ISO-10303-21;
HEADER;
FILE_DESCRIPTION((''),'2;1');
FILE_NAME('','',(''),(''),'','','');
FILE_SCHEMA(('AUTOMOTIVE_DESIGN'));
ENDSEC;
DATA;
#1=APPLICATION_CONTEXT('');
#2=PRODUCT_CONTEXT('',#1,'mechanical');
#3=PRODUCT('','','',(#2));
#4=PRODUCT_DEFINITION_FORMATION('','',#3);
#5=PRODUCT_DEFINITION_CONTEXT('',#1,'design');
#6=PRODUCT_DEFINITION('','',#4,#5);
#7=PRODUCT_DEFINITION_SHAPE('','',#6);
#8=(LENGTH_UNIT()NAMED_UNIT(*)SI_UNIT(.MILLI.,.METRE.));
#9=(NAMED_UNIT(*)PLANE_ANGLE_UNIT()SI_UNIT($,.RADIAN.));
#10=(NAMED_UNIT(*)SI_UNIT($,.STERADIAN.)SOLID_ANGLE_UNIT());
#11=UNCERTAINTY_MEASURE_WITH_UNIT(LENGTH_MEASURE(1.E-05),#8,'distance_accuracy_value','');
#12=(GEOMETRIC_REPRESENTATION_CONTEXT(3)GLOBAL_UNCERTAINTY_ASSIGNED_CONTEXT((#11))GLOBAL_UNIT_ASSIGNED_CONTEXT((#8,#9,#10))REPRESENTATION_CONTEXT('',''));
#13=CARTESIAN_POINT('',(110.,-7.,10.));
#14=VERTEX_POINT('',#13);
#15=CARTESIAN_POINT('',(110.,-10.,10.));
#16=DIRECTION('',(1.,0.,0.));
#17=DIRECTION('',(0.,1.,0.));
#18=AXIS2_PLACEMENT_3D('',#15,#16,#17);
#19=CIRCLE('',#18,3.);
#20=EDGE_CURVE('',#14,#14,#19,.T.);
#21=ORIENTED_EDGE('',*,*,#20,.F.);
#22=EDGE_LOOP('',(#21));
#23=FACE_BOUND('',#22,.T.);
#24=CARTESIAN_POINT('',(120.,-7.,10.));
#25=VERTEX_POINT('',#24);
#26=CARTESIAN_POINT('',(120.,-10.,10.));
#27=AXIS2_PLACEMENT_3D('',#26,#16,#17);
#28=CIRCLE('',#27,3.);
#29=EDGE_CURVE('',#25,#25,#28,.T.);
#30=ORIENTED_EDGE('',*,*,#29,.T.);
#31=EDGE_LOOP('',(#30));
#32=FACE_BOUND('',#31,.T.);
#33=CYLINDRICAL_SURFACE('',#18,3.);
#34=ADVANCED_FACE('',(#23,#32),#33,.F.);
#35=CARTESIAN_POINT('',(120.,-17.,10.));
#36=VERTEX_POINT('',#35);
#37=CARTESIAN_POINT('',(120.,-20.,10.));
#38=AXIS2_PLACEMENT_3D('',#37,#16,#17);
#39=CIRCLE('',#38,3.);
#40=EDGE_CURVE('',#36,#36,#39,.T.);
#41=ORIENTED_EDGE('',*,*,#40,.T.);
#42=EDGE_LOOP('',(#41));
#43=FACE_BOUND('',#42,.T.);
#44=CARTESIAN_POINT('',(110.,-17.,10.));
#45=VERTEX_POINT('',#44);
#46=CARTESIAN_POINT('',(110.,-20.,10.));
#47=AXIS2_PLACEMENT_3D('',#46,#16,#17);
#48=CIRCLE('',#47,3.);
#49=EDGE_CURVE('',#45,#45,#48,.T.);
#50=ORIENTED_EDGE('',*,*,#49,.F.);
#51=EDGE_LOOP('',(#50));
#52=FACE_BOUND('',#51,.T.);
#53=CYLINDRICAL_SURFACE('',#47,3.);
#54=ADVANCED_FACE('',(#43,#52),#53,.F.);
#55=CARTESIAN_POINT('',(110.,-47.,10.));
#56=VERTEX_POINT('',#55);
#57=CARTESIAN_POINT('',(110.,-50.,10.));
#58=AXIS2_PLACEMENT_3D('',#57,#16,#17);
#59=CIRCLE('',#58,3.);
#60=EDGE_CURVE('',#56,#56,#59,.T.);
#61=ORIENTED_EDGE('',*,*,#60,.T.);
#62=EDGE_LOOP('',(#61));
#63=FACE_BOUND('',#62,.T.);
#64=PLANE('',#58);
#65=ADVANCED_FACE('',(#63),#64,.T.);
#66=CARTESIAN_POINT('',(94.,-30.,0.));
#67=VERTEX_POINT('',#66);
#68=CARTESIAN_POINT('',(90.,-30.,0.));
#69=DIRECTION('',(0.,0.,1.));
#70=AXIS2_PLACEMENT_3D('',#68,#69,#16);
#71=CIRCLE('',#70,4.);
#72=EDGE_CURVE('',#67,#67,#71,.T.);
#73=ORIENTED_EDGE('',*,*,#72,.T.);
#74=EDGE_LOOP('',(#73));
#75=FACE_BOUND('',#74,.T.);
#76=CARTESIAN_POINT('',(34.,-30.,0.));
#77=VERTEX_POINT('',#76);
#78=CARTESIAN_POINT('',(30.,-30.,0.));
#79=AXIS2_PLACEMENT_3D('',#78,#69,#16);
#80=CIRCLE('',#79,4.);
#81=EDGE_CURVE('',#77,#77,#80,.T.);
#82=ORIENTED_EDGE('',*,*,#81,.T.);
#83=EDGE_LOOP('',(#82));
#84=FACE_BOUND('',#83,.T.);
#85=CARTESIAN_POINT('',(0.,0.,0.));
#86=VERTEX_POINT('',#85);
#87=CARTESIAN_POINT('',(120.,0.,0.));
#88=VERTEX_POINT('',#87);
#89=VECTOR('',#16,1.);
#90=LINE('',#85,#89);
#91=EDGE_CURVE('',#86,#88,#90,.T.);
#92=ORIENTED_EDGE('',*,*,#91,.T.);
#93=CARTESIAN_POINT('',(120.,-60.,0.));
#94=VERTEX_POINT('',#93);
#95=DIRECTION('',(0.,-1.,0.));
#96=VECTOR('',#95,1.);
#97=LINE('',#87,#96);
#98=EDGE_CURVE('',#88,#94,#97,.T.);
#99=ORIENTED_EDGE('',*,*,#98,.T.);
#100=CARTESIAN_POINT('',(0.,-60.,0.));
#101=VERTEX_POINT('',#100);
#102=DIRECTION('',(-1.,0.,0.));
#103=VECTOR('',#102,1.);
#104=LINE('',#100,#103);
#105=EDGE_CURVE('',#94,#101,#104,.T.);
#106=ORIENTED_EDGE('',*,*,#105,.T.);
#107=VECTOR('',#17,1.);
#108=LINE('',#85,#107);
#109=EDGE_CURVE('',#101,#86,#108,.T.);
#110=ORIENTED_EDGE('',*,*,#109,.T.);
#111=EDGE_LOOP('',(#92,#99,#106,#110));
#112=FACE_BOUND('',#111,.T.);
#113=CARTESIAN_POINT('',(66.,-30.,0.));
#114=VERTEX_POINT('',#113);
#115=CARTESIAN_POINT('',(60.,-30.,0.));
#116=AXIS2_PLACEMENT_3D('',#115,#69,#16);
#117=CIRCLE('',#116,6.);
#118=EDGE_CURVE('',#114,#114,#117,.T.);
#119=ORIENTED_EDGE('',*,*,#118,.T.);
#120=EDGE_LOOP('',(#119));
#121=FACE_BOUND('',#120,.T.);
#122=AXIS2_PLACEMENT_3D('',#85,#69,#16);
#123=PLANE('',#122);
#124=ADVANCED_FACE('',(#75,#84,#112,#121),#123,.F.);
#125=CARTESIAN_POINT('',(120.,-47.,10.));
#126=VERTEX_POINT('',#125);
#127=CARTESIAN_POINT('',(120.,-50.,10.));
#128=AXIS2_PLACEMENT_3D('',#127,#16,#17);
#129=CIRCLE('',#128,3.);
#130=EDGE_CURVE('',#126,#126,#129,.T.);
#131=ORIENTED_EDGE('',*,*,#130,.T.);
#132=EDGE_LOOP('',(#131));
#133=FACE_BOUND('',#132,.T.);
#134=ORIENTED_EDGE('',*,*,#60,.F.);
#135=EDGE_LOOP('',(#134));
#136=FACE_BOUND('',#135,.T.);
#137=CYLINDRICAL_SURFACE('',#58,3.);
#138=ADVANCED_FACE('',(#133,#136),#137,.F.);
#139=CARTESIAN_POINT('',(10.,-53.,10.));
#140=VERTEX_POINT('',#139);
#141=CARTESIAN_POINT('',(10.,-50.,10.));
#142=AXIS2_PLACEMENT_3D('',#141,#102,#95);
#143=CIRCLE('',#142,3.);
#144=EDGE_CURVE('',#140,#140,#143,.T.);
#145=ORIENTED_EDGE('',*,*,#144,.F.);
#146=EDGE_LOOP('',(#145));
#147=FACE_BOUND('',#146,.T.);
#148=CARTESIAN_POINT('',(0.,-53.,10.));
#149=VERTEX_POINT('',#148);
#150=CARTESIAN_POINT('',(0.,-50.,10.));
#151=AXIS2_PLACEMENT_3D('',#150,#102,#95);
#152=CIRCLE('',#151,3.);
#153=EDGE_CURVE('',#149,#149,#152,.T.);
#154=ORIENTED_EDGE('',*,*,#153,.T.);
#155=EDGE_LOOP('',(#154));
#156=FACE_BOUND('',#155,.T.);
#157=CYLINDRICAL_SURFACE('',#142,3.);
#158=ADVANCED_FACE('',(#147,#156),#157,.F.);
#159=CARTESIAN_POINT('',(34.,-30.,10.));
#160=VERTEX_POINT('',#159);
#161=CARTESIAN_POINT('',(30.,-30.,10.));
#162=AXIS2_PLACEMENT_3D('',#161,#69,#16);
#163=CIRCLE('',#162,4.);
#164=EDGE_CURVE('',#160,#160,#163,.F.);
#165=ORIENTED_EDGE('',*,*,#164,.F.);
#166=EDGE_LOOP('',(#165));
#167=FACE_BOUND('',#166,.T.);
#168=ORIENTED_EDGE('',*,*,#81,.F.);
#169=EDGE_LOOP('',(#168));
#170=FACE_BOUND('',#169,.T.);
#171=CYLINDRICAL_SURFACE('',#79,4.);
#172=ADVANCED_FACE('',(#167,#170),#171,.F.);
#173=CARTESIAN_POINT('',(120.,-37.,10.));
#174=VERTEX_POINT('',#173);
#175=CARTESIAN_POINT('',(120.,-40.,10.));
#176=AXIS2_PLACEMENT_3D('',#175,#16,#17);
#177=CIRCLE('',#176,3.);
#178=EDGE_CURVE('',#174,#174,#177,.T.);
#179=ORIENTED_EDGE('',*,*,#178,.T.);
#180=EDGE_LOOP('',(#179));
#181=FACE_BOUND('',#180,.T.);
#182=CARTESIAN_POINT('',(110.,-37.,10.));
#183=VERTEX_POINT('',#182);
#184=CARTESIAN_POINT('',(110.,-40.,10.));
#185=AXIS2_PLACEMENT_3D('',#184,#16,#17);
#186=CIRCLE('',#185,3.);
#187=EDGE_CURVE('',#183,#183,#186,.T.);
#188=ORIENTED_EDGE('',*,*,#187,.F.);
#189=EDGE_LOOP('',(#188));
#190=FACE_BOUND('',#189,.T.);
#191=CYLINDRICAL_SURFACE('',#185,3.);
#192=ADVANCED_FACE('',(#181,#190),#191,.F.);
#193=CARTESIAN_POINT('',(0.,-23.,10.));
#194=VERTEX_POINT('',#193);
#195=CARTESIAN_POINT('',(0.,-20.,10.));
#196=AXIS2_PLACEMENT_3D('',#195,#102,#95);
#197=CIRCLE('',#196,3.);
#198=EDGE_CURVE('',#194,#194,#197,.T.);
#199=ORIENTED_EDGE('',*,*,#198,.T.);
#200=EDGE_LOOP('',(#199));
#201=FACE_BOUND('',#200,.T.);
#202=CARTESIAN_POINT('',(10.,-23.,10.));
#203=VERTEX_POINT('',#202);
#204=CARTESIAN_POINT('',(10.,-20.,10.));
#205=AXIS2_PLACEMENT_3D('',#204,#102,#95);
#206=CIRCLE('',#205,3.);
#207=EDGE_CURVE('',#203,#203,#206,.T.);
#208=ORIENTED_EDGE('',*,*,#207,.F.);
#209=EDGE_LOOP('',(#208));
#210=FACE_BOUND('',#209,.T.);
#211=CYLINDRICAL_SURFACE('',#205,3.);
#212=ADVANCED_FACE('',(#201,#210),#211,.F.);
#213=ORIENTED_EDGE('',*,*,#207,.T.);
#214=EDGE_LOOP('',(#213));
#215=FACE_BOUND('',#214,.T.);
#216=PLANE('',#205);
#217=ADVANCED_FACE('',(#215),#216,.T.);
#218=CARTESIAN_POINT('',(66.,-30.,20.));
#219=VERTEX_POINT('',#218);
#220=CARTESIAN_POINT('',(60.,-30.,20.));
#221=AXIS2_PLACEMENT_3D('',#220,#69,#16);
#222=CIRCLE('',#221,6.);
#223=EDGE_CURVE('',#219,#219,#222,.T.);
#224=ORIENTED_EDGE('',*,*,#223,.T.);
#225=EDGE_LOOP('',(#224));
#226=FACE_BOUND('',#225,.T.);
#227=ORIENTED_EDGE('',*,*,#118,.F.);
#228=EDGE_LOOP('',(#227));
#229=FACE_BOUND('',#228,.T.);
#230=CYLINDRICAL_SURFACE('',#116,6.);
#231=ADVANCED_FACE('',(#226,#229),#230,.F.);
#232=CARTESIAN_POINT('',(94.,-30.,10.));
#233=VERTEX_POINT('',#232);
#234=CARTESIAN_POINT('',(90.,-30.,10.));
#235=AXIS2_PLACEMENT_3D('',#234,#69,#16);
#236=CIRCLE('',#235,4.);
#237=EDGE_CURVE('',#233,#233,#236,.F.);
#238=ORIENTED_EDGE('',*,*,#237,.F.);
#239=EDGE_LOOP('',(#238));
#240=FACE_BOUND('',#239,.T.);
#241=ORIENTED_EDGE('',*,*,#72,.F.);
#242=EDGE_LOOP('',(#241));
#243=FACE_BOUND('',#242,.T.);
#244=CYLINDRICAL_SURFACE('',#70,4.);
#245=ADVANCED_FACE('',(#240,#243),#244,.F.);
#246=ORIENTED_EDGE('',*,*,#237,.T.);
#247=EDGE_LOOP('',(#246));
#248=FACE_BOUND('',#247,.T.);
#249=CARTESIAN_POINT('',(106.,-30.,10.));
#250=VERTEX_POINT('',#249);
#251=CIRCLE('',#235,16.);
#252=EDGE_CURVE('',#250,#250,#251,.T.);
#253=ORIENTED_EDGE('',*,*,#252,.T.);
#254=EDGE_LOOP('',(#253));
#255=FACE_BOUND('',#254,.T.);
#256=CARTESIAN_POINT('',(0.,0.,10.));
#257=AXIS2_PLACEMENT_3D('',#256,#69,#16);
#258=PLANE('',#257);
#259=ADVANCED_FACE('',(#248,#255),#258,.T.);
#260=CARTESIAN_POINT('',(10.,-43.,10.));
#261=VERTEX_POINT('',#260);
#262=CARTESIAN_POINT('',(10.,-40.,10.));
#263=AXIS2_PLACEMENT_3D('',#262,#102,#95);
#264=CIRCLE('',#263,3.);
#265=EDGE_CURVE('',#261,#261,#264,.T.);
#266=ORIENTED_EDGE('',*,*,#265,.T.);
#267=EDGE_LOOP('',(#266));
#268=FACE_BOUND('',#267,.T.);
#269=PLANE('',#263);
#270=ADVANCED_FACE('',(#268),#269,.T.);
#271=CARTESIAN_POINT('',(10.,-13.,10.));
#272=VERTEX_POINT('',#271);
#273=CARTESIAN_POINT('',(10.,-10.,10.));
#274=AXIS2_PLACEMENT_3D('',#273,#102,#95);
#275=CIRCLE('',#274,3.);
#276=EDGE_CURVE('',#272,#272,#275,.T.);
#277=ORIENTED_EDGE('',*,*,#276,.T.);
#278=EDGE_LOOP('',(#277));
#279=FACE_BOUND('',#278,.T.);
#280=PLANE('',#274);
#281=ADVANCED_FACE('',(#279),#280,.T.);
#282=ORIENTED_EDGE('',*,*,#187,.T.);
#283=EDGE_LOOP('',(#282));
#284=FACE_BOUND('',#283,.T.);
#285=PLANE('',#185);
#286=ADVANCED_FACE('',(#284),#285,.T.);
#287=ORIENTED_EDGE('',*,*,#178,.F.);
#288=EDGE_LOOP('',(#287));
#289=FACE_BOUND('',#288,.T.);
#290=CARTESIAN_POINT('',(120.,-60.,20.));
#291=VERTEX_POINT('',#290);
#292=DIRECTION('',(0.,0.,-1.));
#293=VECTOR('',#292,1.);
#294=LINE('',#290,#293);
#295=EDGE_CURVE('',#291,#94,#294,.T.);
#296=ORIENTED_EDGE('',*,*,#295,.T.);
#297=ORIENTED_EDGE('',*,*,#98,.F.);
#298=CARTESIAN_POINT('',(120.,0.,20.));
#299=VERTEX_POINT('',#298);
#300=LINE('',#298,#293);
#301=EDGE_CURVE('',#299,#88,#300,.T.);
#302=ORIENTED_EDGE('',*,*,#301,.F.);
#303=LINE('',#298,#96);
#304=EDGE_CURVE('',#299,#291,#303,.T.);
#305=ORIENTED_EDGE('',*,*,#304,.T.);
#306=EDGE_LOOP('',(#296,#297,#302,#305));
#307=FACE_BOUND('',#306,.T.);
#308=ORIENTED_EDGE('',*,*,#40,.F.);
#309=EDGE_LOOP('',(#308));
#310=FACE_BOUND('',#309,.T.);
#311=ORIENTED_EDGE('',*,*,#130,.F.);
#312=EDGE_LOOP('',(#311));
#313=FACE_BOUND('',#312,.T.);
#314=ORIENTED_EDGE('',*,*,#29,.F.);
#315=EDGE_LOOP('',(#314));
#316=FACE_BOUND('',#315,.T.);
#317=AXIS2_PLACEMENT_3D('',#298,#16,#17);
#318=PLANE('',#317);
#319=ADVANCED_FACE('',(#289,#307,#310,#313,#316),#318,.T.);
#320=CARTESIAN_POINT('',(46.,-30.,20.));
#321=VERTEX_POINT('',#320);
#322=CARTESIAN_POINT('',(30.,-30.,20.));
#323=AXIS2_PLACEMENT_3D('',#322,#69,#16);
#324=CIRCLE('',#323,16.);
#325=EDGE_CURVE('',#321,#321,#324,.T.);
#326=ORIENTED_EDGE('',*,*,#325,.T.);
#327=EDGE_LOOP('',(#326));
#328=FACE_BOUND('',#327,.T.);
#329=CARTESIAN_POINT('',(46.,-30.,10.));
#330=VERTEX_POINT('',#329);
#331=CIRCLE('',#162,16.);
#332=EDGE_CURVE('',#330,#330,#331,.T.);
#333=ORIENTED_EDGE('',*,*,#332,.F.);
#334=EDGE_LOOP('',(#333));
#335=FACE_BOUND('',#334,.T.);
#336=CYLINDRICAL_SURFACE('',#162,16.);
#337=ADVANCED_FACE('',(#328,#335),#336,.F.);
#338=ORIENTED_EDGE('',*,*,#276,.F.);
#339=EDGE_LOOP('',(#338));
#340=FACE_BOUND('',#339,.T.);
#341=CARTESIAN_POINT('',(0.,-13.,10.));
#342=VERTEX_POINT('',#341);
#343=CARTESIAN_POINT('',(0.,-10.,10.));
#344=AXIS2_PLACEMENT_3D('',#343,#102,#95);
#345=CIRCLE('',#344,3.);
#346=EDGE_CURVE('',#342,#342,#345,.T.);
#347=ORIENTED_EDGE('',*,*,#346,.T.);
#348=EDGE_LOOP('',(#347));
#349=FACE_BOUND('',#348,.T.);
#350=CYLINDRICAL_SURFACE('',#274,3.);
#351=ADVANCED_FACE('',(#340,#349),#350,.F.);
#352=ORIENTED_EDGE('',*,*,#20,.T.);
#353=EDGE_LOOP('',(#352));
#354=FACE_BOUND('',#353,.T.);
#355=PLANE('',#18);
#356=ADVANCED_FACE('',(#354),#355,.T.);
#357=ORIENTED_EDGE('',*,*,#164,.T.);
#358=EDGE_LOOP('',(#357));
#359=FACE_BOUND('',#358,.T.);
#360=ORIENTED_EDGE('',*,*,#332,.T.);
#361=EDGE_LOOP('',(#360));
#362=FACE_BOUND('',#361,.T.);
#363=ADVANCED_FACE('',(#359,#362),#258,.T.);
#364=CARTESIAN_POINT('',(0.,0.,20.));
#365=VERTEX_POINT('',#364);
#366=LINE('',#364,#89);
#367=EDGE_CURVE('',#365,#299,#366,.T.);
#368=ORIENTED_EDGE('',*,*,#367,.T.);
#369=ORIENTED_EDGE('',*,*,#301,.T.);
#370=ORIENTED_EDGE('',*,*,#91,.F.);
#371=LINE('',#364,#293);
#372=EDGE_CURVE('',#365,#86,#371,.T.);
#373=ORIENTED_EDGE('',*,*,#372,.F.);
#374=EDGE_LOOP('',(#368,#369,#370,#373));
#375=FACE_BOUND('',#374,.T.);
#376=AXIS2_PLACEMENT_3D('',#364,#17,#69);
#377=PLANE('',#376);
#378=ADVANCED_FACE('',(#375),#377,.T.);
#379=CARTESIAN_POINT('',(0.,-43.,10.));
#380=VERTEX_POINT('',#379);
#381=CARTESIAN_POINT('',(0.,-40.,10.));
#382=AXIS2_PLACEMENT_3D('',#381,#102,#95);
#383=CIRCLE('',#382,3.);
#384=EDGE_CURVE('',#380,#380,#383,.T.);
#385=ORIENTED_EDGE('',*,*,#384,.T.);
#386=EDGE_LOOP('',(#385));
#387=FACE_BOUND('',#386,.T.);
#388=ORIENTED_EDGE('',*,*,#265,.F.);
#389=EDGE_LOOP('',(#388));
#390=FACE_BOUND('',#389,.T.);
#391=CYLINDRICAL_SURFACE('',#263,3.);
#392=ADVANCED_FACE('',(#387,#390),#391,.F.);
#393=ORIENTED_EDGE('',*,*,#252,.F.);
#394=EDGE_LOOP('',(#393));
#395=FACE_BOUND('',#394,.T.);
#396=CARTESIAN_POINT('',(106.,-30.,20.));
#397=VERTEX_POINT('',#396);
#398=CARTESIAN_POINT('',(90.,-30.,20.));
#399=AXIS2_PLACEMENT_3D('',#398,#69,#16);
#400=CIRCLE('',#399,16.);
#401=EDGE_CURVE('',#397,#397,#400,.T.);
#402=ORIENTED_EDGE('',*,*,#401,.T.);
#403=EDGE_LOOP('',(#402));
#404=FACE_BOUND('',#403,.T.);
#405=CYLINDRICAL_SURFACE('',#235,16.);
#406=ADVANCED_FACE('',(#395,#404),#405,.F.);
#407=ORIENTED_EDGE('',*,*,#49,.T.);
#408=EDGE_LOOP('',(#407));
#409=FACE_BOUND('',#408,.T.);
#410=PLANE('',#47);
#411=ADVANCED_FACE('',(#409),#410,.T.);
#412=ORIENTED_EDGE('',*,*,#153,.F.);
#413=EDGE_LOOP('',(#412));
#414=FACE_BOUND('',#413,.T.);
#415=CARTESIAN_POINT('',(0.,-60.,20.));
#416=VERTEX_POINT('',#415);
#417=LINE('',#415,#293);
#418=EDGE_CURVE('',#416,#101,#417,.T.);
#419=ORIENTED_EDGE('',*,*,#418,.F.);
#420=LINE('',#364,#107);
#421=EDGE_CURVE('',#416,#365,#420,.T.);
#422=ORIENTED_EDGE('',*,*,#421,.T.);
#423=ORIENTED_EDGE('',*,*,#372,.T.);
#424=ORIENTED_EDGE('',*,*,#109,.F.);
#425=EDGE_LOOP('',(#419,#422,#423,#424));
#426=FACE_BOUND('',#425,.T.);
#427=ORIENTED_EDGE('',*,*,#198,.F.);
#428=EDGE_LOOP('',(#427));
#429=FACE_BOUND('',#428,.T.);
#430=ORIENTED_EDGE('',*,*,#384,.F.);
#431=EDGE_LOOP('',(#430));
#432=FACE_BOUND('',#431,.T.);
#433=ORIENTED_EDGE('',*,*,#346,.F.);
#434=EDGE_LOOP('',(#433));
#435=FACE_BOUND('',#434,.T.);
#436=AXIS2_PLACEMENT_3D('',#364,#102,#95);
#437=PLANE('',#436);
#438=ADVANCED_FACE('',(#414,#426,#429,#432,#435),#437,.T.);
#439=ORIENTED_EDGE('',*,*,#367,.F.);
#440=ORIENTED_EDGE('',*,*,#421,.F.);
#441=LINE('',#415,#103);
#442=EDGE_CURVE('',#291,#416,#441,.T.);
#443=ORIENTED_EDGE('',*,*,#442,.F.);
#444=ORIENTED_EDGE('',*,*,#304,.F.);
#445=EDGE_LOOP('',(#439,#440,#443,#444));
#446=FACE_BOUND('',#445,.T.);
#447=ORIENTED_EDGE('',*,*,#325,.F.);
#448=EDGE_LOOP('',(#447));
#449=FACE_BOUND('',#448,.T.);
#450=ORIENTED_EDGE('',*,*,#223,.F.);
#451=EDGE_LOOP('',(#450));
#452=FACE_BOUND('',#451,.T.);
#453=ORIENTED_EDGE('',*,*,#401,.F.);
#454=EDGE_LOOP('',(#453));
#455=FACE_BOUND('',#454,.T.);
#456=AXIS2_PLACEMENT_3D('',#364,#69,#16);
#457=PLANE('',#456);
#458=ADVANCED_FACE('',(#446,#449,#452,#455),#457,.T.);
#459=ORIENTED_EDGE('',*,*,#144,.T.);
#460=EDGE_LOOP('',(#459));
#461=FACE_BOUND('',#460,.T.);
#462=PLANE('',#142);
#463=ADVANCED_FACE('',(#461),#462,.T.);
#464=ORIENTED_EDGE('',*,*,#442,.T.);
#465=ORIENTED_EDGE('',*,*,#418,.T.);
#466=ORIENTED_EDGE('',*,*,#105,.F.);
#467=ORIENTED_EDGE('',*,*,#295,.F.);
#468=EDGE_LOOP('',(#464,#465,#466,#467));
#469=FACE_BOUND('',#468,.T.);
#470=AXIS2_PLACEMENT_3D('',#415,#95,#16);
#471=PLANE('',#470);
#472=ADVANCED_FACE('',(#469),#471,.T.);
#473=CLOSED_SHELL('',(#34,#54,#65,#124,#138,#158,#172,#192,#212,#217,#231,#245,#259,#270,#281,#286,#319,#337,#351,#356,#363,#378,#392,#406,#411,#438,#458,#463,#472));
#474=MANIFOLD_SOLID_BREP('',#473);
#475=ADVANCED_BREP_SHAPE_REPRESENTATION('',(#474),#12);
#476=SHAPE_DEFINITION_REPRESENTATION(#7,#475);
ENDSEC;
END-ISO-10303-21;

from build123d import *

# Parameters (mm, degrees)
SKETCH1_W           = 120
SKETCH1_H           = 60
BOSS_EXTRUDE1_DEPTH = 20
SKETCH2_R           = 4
SKETCH2_R_2         = 6
CUT_EXTRUDE1_DEPTH  = 20
SKETCH3_R           = 16
SKETCH3_R_2         = 4
CUT_EXTRUDE2_DEPTH  = 10
SKETCH4_R           = 3
CUT_EXTRUDE4_DEPTH  = 10
CUT_EXTRUDE5_START  = -10
SKETCH5_R           = 3
CUT_EXTRUDE5_DEPTH  = 10


with BuildPart() as part:
    # Sketch1 → Boss-Extrude1 (new body)
    with BuildSketch(Plane.XY):
        with Locations((60, -30)):
            Rectangle(SKETCH1_W, SKETCH1_H)
    extrude(amount=BOSS_EXTRUDE1_DEPTH)

    # Sketch2 → Cut-Extrude1 (cut)
    with BuildSketch(Plane.XY.offset(20)):
        with Locations((30, -30)):
            Circle(SKETCH2_R)
        with Locations((60, -30)):
            Circle(SKETCH2_R_2)
        with Locations((90, -30)):
            Circle(SKETCH2_R)
    extrude(amount=-CUT_EXTRUDE1_DEPTH, mode=Mode.SUBTRACT)

    # Sketch3 → Cut-Extrude2 (cut)
    # profile 1 of 2: a face of its own
    with BuildSketch(Plane.XY.offset(20)):
        with Locations((30, -30)):
            Circle(SKETCH3_R)
        with Locations((30, -30)):
            Circle(SKETCH3_R_2, mode=Mode.SUBTRACT)
    # profile 2 of 2: a face of its own
    with BuildSketch(Plane.XY.offset(20)):
        with Locations((90, -30)):
            Circle(SKETCH3_R)
        with Locations((90, -30)):
            Circle(SKETCH3_R_2, mode=Mode.SUBTRACT)
    extrude(amount=-CUT_EXTRUDE2_DEPTH, mode=Mode.SUBTRACT)

    # Sketch4 → Cut-Extrude4 (cut)
    with BuildSketch(Plane(origin=(120, 0, 0), x_dir=(0, 0, -1), z_dir=(1, 0, 0))):
        with Locations(Location((-10, -10, 0), (0, 0, 90))):
            Circle(SKETCH4_R)
        with Locations(Location((-10, -20, 0), (0, 0, 90))):
            Circle(SKETCH4_R)
        with Locations(Location((-10, -40, 0), (0, 0, 90))):
            Circle(SKETCH4_R)
        with Locations(Location((-10, -50, 0), (0, 0, 90))):
            Circle(SKETCH4_R)
    extrude(amount=-CUT_EXTRUDE4_DEPTH, mode=Mode.SUBTRACT)

    # Sketch5 → Cut-Extrude5 (cut)
    with BuildSketch(Plane.ZY.offset(CUT_EXTRUDE5_START)):
        with Locations(Location((10, -10, 0), (0, 0, 90))):
            Circle(SKETCH5_R)
        with Locations(Location((10, -20, 0), (0, 0, 90))):
            Circle(SKETCH5_R)
        with Locations(Location((10, -40, 0), (0, 0, 90))):
            Circle(SKETCH5_R)
        with Locations(Location((10, -50, 0), (0, 0, 90))):
            Circle(SKETCH5_R)
    extrude(amount=CUT_EXTRUDE5_DEPTH, mode=Mode.SUBTRACT)


solid = part.part
